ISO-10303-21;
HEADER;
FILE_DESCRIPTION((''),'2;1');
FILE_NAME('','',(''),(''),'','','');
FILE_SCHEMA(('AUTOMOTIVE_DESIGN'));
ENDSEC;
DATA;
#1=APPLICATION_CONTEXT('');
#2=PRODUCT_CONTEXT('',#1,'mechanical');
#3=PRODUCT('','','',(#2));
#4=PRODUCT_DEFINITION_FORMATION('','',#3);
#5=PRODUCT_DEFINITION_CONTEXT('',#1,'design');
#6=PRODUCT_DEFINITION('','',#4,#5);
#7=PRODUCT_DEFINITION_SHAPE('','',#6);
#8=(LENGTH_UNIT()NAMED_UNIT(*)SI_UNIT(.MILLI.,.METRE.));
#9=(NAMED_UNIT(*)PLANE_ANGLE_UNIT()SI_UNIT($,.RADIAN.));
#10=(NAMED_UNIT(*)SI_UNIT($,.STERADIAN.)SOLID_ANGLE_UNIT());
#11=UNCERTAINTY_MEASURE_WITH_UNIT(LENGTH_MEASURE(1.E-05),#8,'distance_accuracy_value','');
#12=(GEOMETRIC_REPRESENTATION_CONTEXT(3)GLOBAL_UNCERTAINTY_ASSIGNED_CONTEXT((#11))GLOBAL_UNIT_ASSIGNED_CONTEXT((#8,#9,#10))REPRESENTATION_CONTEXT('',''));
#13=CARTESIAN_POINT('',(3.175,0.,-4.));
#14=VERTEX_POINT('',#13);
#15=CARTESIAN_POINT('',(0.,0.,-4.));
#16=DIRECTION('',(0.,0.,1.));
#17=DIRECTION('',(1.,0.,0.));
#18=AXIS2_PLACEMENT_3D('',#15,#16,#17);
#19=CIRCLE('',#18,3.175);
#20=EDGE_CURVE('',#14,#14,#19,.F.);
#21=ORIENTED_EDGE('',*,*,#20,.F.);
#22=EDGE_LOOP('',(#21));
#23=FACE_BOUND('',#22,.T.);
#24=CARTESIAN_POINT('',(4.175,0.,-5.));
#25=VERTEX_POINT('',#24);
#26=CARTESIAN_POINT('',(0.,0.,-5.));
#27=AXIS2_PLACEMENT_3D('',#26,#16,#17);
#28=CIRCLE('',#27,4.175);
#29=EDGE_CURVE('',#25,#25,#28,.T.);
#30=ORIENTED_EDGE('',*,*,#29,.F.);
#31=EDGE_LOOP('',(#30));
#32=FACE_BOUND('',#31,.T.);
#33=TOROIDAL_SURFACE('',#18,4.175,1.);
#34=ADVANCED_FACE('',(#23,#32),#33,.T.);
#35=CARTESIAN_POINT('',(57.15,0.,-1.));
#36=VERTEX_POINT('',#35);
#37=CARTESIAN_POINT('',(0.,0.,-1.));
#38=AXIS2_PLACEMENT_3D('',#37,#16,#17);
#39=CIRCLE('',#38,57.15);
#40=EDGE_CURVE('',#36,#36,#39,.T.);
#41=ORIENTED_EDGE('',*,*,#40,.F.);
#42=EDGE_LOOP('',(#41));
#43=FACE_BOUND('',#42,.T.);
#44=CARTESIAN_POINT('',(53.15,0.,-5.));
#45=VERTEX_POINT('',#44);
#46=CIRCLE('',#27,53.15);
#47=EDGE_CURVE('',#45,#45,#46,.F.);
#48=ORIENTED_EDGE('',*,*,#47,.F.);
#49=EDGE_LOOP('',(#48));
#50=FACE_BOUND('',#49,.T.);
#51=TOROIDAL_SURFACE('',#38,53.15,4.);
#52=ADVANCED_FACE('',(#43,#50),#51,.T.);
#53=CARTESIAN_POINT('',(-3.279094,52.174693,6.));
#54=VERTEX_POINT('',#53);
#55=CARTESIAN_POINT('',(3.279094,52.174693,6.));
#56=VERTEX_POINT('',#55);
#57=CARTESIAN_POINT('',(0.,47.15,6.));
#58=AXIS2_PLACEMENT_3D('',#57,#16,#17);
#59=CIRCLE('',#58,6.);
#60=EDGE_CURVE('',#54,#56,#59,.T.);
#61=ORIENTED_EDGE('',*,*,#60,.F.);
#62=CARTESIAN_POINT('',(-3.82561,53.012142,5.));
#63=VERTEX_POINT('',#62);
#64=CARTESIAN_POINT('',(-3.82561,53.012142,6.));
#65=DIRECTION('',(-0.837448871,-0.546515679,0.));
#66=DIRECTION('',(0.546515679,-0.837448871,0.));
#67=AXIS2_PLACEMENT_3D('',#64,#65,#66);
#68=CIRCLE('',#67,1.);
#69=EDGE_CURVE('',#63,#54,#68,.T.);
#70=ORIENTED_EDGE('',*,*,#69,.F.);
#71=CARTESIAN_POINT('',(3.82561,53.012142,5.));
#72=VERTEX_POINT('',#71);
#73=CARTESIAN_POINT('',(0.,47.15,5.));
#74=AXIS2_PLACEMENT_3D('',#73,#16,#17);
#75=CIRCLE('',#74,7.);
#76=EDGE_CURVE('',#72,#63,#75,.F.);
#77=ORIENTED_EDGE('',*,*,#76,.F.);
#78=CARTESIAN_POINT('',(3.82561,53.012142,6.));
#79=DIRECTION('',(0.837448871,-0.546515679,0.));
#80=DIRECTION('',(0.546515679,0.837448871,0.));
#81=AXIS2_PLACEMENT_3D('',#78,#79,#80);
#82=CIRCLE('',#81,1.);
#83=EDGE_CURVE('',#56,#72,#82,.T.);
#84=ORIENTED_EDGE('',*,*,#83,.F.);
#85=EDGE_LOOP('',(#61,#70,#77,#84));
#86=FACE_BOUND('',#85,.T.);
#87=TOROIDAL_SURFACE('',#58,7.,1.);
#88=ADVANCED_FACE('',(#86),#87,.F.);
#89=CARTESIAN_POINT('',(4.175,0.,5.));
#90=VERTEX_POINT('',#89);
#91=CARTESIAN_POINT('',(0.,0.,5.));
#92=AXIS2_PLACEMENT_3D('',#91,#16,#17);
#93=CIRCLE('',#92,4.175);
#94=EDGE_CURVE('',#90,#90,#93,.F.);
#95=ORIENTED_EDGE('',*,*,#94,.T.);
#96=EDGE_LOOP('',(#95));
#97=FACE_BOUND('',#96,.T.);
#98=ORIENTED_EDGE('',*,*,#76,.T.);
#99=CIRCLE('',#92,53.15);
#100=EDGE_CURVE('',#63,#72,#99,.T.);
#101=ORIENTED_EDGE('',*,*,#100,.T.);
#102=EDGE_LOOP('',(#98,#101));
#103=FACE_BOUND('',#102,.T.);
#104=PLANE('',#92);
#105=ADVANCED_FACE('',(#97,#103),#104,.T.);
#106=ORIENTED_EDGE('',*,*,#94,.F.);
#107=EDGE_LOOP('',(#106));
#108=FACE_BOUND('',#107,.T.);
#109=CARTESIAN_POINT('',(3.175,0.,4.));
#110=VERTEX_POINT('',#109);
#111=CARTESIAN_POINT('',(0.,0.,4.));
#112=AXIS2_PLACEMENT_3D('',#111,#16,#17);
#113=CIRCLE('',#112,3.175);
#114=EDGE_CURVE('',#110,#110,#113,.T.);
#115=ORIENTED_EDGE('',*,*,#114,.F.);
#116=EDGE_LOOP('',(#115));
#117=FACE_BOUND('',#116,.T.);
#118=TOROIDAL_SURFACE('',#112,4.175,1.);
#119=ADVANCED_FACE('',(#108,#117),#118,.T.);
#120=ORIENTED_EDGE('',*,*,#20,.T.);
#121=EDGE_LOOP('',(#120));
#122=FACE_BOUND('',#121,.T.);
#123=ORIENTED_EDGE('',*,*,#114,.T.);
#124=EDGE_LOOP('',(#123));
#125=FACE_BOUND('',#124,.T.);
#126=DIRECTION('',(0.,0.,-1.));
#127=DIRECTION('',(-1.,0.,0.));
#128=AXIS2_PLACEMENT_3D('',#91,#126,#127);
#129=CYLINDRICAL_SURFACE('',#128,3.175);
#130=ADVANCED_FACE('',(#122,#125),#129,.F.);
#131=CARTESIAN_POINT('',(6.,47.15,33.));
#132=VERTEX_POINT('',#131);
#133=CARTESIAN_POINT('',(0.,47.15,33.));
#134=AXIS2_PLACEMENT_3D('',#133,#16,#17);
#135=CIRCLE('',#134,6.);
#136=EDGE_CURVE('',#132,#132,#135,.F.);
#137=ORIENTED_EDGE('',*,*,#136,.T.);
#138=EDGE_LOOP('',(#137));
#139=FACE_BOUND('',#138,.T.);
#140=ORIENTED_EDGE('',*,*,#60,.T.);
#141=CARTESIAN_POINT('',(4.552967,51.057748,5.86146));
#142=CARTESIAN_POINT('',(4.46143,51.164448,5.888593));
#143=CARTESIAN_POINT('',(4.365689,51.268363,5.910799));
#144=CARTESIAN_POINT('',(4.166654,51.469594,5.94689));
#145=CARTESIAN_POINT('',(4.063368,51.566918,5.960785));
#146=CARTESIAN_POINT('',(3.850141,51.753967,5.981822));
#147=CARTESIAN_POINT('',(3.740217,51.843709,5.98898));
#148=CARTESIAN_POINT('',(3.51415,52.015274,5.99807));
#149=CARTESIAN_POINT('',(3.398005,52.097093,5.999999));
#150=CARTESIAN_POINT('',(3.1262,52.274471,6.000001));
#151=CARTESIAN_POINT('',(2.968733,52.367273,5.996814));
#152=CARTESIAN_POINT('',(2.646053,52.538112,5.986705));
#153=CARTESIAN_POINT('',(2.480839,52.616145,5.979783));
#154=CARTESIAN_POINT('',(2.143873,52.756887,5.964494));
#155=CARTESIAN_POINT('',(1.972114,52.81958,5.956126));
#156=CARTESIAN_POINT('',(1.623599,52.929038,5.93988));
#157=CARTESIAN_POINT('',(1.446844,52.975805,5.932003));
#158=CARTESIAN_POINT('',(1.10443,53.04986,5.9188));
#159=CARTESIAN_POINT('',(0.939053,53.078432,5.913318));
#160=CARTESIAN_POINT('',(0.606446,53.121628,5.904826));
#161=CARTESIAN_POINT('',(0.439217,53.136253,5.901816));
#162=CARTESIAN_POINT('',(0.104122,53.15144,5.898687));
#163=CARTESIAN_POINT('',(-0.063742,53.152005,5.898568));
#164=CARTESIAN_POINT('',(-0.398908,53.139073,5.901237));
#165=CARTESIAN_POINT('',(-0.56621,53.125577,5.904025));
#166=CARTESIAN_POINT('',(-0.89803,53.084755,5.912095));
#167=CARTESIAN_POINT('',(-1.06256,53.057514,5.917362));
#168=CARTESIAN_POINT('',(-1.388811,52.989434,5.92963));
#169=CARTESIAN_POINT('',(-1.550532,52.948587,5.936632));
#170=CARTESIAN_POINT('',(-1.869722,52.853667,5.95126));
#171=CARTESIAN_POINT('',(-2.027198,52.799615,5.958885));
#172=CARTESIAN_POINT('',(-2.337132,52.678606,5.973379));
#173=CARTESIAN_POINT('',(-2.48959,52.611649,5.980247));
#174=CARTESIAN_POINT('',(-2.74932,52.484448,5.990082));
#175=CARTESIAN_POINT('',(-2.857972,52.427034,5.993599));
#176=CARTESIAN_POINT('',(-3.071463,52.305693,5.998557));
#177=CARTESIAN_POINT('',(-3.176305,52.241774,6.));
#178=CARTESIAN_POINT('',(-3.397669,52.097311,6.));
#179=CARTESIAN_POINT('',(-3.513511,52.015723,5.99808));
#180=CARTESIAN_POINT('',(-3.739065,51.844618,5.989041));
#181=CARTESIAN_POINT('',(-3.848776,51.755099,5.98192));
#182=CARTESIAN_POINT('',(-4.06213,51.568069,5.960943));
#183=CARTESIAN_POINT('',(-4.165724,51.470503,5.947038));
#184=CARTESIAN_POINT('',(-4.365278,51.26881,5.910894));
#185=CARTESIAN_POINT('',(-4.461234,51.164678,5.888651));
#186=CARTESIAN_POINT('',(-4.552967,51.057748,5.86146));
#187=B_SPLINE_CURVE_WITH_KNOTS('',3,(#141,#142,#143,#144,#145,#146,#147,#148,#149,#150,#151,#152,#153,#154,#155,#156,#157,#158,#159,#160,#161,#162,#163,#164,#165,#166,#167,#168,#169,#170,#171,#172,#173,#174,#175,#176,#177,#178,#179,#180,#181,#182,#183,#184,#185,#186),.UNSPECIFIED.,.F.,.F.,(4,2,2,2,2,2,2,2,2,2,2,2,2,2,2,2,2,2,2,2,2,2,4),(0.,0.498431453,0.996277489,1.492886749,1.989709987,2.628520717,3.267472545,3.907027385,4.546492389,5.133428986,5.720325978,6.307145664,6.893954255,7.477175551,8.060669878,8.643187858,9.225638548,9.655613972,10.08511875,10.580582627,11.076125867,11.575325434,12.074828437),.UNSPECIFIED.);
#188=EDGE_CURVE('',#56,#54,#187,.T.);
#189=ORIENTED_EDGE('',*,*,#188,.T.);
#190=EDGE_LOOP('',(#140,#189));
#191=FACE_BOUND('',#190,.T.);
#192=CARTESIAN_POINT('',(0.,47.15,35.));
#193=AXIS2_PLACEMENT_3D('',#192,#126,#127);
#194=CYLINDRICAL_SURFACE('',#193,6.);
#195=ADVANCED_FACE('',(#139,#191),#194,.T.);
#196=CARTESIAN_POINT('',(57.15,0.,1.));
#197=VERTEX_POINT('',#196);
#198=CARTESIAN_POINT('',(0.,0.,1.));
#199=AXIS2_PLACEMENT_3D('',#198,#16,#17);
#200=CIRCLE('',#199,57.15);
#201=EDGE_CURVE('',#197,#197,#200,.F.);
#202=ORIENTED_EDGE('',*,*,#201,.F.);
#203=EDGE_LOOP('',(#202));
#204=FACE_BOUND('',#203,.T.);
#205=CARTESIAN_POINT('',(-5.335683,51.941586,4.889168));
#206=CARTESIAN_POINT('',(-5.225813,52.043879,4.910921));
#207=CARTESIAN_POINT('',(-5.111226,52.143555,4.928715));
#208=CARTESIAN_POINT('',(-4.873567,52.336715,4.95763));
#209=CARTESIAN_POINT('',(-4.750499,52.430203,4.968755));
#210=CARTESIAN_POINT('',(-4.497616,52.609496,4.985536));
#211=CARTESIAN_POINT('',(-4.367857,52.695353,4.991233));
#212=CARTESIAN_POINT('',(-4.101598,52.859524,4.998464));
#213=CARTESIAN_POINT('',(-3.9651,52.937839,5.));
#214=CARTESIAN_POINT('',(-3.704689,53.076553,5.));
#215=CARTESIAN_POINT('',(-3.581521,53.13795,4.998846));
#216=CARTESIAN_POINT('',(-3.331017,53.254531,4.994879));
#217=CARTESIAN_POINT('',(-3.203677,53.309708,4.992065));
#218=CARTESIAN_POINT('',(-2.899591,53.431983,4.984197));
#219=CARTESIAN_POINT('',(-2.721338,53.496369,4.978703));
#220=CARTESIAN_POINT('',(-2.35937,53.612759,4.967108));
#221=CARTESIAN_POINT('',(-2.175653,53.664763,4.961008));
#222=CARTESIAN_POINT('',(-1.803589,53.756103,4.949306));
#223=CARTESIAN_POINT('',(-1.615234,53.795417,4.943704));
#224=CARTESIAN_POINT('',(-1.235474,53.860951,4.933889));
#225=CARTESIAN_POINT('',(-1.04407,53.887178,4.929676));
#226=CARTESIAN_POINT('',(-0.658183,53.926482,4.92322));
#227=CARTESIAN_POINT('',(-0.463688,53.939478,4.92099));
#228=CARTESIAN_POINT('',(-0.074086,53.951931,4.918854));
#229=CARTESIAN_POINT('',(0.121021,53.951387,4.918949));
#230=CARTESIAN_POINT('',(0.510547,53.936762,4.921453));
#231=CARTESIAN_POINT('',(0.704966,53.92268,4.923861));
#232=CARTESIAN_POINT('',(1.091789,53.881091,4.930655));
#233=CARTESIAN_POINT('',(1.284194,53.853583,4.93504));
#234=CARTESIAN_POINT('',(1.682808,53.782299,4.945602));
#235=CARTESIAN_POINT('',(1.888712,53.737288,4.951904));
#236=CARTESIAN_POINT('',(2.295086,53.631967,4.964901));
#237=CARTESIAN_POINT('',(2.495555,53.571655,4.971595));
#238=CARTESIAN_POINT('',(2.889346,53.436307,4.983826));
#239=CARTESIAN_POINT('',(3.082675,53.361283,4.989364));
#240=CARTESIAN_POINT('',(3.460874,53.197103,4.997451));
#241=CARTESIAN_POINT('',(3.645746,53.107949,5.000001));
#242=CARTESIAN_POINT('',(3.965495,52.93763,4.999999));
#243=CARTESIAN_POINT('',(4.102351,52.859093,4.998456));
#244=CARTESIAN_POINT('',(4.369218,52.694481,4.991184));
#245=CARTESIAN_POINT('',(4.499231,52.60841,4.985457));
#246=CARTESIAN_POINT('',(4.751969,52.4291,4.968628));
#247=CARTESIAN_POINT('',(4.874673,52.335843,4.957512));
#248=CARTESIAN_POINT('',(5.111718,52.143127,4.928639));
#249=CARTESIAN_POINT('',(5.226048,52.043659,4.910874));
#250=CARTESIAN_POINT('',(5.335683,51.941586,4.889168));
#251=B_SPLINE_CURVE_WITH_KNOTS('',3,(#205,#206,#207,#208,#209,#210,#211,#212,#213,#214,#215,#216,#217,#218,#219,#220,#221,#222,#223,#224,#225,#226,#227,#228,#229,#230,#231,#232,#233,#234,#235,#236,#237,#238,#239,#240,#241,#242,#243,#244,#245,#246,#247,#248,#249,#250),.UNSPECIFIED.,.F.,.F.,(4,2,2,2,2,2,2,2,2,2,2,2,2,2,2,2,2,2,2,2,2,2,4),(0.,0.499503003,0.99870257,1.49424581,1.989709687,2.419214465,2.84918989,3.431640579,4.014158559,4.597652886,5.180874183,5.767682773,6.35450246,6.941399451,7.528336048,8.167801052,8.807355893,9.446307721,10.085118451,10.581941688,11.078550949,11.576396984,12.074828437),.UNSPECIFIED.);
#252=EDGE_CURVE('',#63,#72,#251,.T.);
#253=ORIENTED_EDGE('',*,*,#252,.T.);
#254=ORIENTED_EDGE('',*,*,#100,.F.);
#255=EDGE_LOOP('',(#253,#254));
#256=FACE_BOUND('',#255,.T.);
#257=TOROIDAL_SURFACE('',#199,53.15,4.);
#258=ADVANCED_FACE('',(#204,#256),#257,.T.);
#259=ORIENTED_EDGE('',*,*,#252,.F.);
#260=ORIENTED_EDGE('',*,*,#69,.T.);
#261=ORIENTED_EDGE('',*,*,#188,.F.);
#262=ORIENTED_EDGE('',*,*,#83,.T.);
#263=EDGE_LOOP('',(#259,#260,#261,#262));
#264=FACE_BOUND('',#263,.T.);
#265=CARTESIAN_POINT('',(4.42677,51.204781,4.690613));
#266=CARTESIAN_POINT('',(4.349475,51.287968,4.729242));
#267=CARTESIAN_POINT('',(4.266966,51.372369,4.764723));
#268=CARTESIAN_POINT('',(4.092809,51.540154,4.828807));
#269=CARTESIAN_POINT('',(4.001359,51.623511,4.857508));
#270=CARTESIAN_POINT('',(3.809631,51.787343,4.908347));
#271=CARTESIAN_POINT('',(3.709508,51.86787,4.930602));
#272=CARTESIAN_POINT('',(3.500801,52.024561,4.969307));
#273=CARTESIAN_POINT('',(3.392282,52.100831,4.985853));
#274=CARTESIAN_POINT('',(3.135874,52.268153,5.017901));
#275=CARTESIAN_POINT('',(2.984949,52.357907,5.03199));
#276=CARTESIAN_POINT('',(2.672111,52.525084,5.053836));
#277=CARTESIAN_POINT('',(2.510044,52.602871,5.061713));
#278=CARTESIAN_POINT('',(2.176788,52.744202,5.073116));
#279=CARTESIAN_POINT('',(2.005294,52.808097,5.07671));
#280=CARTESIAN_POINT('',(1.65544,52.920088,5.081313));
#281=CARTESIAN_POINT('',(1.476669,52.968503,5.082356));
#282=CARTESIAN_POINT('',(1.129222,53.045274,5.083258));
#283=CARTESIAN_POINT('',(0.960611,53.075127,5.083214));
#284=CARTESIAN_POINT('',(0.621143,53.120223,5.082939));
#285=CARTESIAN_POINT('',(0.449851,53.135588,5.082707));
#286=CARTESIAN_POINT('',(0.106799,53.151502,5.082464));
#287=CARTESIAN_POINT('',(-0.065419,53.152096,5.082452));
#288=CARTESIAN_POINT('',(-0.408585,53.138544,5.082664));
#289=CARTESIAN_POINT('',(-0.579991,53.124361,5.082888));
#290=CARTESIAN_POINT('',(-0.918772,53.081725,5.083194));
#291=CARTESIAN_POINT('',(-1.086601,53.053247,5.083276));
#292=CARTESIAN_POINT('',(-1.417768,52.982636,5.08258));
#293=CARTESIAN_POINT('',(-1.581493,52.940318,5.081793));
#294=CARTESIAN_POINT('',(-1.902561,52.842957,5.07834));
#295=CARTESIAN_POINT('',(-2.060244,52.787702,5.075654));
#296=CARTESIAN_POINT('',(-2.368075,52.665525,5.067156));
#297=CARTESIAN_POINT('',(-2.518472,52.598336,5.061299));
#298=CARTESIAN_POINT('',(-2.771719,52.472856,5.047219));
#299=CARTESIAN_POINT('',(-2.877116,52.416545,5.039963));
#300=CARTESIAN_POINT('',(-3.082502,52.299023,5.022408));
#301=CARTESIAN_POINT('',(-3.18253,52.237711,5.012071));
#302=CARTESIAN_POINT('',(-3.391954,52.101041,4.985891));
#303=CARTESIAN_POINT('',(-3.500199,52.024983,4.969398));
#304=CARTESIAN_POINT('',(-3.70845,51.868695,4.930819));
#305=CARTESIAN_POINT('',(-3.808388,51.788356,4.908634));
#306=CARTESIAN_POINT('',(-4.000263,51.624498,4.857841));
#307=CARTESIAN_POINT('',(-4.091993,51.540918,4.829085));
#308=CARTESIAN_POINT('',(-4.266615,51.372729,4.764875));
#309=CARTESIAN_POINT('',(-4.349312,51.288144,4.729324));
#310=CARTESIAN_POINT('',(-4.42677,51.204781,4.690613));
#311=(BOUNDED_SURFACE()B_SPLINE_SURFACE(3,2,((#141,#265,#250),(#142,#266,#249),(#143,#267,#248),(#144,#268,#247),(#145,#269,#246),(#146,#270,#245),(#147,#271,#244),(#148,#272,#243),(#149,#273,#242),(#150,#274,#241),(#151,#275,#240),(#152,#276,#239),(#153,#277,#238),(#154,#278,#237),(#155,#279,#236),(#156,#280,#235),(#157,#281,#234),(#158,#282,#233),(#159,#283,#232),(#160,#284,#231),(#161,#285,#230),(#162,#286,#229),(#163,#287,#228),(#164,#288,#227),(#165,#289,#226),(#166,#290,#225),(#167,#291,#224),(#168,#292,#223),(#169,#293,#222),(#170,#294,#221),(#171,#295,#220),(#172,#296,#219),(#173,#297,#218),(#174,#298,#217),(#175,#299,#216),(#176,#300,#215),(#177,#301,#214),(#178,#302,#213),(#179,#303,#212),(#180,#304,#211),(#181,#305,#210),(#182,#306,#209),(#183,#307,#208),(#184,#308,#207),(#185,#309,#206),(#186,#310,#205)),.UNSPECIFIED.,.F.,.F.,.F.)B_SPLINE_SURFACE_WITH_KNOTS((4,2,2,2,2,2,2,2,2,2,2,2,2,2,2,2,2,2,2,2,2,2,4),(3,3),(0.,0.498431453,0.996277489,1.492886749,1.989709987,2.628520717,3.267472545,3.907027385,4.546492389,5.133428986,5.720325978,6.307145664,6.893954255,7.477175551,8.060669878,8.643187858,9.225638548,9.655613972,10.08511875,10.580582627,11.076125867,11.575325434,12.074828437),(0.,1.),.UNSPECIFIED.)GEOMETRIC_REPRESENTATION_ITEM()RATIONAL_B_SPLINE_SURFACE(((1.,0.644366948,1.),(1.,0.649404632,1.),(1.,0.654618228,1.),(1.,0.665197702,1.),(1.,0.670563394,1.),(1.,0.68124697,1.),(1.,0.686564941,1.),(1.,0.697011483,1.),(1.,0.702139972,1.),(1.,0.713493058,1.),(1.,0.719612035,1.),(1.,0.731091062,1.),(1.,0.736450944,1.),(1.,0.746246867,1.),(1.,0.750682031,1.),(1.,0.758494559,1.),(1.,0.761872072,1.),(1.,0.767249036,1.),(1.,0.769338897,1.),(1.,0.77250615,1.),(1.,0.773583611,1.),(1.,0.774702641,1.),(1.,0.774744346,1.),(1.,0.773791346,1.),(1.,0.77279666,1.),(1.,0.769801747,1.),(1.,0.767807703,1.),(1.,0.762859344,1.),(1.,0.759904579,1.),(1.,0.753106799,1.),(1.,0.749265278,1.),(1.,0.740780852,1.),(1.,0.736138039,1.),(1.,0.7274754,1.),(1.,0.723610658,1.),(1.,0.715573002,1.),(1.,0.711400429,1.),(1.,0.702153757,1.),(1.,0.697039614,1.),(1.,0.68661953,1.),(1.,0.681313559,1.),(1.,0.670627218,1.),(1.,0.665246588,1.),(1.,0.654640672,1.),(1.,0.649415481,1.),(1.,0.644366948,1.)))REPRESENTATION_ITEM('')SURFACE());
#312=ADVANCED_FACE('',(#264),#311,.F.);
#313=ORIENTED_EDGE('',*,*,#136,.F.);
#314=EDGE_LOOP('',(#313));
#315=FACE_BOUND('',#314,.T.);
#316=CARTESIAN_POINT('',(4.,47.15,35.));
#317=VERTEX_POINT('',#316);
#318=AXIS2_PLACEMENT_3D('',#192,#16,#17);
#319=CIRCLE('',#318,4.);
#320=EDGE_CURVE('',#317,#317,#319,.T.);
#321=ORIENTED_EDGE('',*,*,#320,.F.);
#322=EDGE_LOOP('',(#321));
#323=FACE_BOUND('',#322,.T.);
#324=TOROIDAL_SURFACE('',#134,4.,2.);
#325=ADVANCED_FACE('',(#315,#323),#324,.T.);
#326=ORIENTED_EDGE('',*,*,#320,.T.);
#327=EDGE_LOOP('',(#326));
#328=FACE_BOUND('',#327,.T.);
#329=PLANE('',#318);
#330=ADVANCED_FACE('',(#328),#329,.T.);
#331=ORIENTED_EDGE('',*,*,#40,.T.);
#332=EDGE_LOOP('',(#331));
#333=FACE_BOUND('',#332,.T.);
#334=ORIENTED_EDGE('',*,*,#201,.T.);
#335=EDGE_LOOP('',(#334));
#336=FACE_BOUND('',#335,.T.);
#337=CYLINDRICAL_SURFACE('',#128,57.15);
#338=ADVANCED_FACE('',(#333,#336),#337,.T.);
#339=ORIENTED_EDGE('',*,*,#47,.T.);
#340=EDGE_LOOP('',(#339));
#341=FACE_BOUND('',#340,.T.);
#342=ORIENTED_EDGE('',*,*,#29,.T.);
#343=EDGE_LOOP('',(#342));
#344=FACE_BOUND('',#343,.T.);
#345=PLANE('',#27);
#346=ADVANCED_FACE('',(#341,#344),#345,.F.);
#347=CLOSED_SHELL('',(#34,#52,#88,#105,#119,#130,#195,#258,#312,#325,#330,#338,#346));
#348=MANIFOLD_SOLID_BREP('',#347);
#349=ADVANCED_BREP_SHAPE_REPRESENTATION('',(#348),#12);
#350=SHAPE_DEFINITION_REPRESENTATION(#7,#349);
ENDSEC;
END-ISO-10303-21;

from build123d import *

# Parameters (mm, degrees)
SKETCH1_R           = 57.15
SKETCH1_R_2         = 3.175
BOSS_EXTRUDE1_DEPTH = 5
FILLET1_R           = 4
SKETCH2_R           = 6
BOSS_EXTRUDE2_DEPTH = 30
FILLET2_R           = 2
FILLET3_R           = 1


with BuildPart() as part:
    # Sketch1 → Boss-Extrude1 (new, symmetric)
    with BuildSketch(Plane.XY):
        Circle(SKETCH1_R)
        Circle(SKETCH1_R_2, mode=Mode.SUBTRACT)
    extrude(amount=BOSS_EXTRUDE1_DEPTH, both=True)

    # Fillet1
    fillet1_edges = [part.edges().sort_by_distance(p)[0] for p in [
        (-57.15, 0, -5),
        (-57.15, 0, 5),
    ]]
    fillet(fillet1_edges, radius=FILLET1_R)

    # Sketch2 → Boss-Extrude2 (add)
    with BuildSketch(Plane.XY.offset(5)):
        with Locations(Location((0, 47.15, 0), (0, 0, 90))):
            Circle(SKETCH2_R)
    extrude(amount=BOSS_EXTRUDE2_DEPTH)

    # Fillet2
    fillet2_edges = [part.edges().sort_by_distance(p)[0] for p in [
        (0, 41.15, 35),
    ]]
    fillet(fillet2_edges, radius=FILLET2_R)

    # Fillet3
    fillet3_edges = [part.edges().sort_by_distance(p)[0] for p in [
        (0, 41.15, 5),
        (-3.175, 0, -5),
        (-3.175, 0, 5),
    ]]
    fillet(fillet3_edges, radius=FILLET3_R)


solid = part.part
